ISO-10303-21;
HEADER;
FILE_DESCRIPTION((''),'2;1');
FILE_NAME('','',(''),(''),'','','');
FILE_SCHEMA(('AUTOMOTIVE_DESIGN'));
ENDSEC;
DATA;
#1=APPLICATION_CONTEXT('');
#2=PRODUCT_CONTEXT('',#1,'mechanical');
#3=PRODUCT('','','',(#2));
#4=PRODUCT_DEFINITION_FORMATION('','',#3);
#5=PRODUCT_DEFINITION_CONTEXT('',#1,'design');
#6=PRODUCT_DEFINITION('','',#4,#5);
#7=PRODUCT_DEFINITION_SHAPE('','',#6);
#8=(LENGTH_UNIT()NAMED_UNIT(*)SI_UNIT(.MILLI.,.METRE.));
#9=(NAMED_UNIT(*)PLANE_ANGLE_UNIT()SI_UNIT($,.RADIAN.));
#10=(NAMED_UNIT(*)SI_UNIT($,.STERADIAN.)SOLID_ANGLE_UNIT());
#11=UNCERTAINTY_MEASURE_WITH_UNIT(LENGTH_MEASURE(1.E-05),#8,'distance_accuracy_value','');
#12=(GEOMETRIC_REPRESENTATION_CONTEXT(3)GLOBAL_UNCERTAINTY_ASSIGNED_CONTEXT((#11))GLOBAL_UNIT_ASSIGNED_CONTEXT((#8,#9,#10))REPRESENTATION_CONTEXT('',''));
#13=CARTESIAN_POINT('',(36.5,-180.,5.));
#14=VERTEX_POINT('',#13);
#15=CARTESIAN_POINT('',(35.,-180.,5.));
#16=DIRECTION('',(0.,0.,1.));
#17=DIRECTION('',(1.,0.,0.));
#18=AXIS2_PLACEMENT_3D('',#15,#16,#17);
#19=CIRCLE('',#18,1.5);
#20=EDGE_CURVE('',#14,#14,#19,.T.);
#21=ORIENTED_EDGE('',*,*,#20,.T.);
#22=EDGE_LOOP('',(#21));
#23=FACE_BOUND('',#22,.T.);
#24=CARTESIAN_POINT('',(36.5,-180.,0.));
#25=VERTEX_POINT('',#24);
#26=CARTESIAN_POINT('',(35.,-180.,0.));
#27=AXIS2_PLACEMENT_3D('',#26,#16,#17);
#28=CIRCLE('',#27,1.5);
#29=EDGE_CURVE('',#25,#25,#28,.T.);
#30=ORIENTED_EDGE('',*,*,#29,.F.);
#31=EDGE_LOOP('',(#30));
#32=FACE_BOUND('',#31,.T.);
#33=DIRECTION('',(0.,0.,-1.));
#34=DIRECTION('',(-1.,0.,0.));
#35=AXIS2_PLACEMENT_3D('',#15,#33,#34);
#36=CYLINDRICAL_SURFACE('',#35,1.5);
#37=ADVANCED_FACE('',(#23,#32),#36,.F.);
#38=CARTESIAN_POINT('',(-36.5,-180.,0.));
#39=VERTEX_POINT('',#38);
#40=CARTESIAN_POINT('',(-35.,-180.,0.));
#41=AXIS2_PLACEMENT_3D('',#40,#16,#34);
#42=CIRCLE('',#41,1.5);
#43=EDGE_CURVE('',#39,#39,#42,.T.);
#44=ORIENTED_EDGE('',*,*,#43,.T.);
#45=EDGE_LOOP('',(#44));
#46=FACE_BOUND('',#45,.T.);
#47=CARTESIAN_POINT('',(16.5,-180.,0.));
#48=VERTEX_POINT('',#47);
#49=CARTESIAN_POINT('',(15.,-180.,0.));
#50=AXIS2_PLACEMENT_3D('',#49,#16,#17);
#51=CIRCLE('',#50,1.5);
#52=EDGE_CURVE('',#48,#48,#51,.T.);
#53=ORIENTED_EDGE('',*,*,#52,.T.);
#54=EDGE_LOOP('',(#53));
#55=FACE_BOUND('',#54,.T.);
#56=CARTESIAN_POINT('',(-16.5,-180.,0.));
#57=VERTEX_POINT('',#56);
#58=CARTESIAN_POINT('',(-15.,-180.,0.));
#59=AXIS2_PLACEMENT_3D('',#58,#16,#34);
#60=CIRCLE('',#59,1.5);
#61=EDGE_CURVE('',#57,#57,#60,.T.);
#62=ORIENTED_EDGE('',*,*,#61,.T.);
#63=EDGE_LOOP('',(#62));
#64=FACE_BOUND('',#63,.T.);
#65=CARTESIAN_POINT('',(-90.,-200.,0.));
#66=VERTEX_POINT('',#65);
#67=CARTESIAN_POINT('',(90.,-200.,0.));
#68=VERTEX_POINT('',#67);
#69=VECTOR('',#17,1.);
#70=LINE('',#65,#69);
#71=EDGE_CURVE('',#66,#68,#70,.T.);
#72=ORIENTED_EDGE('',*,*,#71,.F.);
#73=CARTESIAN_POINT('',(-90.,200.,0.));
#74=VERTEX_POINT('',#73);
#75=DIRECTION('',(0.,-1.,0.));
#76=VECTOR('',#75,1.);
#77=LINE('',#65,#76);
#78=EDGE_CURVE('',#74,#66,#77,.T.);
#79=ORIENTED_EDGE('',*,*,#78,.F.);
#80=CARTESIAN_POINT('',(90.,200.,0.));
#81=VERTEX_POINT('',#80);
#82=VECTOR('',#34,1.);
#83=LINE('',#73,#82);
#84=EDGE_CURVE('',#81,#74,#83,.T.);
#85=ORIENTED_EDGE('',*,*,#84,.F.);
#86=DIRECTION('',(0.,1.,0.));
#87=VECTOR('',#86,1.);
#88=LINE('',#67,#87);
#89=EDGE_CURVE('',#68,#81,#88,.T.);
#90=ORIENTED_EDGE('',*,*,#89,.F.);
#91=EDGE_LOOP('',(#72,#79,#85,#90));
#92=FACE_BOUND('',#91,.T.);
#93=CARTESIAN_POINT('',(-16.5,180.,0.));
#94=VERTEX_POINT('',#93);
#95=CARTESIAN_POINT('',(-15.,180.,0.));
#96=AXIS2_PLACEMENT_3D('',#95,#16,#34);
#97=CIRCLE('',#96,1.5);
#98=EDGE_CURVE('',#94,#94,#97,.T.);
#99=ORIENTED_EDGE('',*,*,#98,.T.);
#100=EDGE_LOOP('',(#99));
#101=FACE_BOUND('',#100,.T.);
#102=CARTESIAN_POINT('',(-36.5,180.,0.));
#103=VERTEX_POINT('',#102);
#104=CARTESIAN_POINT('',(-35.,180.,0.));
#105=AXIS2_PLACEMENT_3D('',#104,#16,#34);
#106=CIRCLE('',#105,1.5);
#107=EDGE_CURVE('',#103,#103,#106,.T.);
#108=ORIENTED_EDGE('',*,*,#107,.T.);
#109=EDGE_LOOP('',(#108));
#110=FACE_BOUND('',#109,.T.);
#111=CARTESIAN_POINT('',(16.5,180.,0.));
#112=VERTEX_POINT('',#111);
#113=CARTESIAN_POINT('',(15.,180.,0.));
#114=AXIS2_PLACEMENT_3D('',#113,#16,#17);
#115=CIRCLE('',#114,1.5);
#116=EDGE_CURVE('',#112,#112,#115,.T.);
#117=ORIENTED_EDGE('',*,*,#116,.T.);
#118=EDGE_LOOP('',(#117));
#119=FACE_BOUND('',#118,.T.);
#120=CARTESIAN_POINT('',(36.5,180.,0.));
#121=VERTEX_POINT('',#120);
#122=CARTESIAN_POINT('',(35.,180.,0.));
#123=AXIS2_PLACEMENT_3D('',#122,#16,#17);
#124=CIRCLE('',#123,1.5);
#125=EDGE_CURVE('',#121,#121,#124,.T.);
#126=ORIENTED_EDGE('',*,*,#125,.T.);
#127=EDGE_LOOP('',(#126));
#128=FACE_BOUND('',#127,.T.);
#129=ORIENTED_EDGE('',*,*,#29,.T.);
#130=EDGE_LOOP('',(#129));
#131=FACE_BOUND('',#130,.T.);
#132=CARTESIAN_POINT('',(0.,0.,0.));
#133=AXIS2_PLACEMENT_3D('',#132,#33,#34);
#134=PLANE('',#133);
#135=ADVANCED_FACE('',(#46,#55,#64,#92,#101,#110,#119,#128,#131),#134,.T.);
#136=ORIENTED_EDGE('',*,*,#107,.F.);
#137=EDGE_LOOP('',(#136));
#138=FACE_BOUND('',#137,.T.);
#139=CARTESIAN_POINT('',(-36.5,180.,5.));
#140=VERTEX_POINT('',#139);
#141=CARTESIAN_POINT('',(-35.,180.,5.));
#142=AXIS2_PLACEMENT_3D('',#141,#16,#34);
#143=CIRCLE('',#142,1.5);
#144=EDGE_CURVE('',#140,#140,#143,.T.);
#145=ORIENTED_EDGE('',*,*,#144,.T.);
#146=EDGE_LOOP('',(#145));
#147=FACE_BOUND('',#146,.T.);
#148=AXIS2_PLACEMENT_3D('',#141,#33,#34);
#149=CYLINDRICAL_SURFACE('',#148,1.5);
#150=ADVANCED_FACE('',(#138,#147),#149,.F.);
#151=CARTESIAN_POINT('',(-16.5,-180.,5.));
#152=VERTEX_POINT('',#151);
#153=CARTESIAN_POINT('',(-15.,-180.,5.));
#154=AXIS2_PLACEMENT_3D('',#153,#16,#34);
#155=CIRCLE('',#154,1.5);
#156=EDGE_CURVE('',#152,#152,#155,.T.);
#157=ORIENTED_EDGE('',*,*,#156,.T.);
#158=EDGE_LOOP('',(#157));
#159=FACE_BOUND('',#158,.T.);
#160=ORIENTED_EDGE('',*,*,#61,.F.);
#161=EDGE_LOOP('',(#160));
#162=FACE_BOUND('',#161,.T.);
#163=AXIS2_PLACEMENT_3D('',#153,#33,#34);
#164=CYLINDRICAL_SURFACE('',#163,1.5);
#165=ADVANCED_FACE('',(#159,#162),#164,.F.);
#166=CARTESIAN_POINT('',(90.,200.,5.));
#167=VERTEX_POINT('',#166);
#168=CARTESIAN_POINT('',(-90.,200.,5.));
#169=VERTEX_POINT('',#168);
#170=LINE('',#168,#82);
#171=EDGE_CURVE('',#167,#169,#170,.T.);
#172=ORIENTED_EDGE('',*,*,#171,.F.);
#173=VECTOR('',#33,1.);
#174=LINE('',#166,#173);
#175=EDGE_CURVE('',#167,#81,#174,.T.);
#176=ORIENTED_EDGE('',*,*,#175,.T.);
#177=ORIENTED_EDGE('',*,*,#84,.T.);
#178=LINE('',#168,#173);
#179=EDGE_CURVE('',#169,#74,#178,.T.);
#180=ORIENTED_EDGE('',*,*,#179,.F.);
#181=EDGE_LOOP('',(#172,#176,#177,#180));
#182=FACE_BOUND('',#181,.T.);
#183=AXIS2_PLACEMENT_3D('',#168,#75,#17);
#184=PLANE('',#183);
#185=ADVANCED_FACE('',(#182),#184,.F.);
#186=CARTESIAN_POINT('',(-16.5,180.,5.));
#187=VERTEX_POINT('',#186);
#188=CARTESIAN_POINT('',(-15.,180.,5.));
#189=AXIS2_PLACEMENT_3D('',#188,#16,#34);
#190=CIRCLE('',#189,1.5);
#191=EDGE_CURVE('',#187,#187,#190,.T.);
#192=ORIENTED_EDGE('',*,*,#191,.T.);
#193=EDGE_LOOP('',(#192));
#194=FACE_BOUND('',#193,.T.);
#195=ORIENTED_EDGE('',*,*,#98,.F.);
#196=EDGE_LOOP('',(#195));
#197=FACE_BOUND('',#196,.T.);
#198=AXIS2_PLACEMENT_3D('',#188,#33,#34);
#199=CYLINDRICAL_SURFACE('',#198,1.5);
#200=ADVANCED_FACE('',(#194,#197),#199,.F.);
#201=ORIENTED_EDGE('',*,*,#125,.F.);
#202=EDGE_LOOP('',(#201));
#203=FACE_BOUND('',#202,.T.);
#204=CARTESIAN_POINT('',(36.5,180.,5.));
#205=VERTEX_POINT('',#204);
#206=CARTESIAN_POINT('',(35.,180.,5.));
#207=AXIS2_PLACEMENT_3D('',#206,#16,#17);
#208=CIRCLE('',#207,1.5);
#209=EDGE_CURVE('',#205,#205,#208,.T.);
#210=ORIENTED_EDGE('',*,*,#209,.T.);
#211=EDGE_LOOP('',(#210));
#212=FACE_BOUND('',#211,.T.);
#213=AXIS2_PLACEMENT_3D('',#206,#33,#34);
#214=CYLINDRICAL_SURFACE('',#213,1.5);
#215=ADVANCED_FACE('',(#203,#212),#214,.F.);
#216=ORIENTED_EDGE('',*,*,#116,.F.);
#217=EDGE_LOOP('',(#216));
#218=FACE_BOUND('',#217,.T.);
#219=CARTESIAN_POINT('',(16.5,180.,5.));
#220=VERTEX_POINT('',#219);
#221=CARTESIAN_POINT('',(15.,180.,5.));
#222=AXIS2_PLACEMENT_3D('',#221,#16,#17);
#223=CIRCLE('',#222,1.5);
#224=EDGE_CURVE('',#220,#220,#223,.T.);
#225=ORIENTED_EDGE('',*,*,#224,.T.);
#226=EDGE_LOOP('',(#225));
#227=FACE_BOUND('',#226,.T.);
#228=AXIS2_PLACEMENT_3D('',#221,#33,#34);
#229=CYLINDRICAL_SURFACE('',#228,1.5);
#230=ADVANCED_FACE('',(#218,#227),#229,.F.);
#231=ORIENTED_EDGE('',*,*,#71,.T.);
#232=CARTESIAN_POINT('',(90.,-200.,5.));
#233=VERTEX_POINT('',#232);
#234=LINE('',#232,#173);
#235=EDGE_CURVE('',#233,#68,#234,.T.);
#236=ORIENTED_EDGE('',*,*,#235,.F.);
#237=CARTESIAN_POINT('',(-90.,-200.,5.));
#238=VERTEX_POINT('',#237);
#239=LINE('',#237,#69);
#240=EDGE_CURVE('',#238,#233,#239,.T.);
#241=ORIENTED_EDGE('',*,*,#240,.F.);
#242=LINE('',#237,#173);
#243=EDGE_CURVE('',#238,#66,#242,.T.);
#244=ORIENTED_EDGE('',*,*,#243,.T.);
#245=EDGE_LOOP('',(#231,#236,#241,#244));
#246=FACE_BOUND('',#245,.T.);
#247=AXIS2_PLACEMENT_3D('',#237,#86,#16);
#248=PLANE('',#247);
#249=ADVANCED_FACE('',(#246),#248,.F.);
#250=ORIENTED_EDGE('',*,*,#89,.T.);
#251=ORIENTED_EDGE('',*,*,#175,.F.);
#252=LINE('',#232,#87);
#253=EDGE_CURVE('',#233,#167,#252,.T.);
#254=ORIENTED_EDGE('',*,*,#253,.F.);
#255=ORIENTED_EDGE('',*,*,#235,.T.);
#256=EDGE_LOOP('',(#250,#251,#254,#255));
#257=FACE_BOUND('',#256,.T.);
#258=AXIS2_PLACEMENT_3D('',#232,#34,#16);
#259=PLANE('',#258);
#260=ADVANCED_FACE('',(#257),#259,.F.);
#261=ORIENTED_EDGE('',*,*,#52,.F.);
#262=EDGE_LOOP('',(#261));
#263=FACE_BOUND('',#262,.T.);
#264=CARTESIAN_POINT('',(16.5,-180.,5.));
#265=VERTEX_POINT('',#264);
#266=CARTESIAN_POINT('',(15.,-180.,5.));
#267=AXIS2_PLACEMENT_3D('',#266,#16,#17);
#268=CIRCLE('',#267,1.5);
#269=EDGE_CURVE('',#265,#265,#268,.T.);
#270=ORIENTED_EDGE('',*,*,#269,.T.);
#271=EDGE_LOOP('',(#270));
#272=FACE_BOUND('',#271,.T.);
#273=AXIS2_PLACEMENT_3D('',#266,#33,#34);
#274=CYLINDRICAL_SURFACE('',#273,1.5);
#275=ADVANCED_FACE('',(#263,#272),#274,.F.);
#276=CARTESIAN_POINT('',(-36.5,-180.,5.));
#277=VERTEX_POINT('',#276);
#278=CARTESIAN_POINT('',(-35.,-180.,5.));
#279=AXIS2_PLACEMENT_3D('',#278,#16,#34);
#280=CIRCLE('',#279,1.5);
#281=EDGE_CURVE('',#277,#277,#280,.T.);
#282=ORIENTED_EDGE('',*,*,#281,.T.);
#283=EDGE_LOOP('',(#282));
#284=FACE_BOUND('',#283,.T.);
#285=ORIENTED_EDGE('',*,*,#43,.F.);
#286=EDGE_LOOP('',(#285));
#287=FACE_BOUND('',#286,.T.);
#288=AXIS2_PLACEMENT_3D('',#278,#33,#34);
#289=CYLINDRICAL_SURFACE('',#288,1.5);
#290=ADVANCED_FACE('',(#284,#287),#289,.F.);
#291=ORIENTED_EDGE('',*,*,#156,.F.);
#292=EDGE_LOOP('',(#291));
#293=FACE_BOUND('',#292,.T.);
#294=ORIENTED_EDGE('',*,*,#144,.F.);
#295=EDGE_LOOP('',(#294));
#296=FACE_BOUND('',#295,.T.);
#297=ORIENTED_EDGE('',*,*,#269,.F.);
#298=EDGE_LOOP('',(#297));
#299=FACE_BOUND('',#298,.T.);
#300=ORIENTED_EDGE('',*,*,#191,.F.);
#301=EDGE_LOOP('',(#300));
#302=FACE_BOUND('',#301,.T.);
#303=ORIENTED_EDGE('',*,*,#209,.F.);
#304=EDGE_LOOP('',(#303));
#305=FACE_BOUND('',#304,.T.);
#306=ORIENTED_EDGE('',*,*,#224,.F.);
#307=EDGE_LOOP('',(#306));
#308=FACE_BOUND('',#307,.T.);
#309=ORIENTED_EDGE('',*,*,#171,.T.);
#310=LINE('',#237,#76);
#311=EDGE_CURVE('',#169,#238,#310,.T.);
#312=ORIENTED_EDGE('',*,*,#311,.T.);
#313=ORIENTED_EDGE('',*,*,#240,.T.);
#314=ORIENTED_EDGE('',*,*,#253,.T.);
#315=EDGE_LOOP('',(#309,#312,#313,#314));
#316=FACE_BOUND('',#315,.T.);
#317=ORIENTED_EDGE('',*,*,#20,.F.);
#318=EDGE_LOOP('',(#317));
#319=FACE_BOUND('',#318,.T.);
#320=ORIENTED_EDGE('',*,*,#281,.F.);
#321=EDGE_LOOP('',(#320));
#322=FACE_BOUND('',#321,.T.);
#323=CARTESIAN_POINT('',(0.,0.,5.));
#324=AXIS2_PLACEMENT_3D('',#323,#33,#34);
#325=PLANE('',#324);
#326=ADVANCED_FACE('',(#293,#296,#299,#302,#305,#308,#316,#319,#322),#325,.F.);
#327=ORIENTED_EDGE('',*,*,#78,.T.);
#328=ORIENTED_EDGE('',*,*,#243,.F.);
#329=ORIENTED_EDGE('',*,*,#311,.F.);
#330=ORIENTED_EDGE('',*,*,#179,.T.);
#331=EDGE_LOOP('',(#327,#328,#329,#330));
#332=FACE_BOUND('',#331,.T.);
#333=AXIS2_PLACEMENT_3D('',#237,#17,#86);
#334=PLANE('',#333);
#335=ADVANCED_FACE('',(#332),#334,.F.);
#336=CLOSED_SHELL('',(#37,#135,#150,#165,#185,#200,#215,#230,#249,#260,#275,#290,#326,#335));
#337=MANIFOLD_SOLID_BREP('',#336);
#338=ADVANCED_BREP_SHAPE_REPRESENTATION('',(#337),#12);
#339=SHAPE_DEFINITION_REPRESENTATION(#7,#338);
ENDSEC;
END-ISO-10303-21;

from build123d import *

# Parameters (mm, degrees)
CROQUIS1_W              = 180
CROQUIS1_H              = 400
CROQUIS1_R              = 1.5
SALIENTE_EXTRUIR1_DEPTH = 5


with BuildPart() as part:
    # Croquis1 → Saliente-Extruir1 (new body)
    with BuildSketch(Plane.XY):
        Rectangle(CROQUIS1_W, CROQUIS1_H)
        with Locations((15, -180)):
            Circle(CROQUIS1_R, mode=Mode.SUBTRACT)
        with Locations((35, -180)):
            Circle(CROQUIS1_R, mode=Mode.SUBTRACT)
        with Locations(Location((-35, -180, 0), (0, 0, 180))):
            Circle(CROQUIS1_R, mode=Mode.SUBTRACT)
        with Locations(Location((-15, -180, 0), (0, 0, 180))):
            Circle(CROQUIS1_R, mode=Mode.SUBTRACT)
        with Locations((15, 180)):
            Circle(CROQUIS1_R, mode=Mode.SUBTRACT)
        with Locations((35, 180)):
            Circle(CROQUIS1_R, mode=Mode.SUBTRACT)
        with Locations(Location((-35, 180, 0), (0, 0, 180))):
            Circle(CROQUIS1_R, mode=Mode.SUBTRACT)
        with Locations(Location((-15, 180, 0), (0, 0, 180))):
            Circle(CROQUIS1_R, mode=Mode.SUBTRACT)
    extrude(amount=SALIENTE_EXTRUIR1_DEPTH)


solid = part.part
